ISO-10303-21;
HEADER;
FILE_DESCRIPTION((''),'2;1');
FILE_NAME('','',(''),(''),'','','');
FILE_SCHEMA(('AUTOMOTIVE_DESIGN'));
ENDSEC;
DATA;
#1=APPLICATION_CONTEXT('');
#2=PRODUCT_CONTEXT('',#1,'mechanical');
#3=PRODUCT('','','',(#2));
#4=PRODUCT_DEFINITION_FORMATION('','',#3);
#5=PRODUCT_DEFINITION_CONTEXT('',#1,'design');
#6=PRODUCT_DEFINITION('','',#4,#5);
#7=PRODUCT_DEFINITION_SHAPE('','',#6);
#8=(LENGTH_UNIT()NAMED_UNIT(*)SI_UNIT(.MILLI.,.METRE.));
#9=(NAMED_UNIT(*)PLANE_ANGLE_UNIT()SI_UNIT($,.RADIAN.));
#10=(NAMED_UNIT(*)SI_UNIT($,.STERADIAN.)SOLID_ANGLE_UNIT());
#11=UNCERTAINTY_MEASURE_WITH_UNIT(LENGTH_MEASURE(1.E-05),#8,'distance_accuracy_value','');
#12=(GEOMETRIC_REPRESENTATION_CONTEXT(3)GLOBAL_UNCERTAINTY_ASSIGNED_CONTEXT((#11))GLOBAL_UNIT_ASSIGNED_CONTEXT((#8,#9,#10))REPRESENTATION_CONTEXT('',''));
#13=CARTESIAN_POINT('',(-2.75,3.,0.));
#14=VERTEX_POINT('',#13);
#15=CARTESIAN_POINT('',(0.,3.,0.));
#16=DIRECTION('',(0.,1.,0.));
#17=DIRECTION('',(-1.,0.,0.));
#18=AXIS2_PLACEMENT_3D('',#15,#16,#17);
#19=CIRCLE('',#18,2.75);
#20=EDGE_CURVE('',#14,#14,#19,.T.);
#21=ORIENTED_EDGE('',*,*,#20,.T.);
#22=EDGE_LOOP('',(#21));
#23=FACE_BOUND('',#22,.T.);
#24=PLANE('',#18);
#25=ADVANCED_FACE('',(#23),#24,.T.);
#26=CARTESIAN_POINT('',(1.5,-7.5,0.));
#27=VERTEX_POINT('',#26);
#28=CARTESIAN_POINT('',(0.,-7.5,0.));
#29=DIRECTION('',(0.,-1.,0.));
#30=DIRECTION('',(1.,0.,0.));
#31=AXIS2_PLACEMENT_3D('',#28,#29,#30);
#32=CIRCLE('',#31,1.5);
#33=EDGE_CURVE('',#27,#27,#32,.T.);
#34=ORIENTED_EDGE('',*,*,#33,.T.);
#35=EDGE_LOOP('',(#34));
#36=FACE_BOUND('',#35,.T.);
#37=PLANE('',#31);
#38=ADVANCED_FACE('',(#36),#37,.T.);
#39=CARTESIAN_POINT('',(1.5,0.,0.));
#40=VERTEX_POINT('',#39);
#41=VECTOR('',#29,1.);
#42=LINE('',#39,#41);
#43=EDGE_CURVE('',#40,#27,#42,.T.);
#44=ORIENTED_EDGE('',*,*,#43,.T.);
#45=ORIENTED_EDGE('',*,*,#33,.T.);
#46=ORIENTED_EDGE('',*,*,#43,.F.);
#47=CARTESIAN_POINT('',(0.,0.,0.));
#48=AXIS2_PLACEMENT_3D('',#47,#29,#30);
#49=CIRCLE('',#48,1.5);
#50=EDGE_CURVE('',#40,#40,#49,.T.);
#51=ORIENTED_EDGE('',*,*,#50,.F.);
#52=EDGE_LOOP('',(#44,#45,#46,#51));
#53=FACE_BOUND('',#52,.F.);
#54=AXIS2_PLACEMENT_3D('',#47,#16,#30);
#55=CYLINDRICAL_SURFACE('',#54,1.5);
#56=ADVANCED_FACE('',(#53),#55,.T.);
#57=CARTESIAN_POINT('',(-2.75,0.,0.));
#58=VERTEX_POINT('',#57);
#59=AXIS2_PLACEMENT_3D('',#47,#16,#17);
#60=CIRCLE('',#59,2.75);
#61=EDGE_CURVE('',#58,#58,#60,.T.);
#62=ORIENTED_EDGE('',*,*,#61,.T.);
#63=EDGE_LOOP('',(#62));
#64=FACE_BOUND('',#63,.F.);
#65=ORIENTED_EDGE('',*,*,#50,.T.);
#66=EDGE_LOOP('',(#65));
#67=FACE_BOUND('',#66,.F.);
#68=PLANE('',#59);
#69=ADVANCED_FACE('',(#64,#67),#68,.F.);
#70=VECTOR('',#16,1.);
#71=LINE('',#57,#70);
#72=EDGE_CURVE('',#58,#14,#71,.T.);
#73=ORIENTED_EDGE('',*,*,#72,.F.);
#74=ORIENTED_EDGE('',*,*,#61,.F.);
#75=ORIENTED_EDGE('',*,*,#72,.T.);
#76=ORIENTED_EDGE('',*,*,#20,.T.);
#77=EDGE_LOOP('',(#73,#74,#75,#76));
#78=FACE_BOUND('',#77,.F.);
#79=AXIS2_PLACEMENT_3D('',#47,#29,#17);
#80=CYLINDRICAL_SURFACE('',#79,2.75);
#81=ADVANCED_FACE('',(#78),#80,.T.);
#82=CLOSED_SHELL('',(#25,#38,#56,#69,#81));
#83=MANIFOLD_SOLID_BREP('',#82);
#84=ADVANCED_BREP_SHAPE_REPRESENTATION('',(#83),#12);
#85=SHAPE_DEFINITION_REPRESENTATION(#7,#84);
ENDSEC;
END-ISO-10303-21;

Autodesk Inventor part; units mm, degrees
ref_plane "YZ Plane" through (0, 0, 0) normal (1, 0, 0) x (0, 1, 0)
ref_plane "XZ Plane" through (0, 0, 0) normal (0, 1, 0) x (-1, 0, 0)
ref_plane "XY Plane" through (0, 0, 0) normal (0, 0, 1) x (1, 0, 0)
sketch "Sketch1" plane through (0, 0, 0) normal (0, 1, 0) x (-1, 0, 0)
  circle A0 centre (0, 0) radius 2.75
  dimension "d0" = 5.5
extrude "Extrusion1" add sketch "Sketch1" along normal blind 3
sketch "Sketch2" plane through (0, 0, 0) normal (0, -1, 0) x (1, 0, 0)
  circle A0 centre (0, 0) radius 1.5
  dimension "d3" = 3
extrude "Extrusion2" add sketch "Sketch2" along normal blind 7.5
properties part number "tornillo_5_5_10_5"
